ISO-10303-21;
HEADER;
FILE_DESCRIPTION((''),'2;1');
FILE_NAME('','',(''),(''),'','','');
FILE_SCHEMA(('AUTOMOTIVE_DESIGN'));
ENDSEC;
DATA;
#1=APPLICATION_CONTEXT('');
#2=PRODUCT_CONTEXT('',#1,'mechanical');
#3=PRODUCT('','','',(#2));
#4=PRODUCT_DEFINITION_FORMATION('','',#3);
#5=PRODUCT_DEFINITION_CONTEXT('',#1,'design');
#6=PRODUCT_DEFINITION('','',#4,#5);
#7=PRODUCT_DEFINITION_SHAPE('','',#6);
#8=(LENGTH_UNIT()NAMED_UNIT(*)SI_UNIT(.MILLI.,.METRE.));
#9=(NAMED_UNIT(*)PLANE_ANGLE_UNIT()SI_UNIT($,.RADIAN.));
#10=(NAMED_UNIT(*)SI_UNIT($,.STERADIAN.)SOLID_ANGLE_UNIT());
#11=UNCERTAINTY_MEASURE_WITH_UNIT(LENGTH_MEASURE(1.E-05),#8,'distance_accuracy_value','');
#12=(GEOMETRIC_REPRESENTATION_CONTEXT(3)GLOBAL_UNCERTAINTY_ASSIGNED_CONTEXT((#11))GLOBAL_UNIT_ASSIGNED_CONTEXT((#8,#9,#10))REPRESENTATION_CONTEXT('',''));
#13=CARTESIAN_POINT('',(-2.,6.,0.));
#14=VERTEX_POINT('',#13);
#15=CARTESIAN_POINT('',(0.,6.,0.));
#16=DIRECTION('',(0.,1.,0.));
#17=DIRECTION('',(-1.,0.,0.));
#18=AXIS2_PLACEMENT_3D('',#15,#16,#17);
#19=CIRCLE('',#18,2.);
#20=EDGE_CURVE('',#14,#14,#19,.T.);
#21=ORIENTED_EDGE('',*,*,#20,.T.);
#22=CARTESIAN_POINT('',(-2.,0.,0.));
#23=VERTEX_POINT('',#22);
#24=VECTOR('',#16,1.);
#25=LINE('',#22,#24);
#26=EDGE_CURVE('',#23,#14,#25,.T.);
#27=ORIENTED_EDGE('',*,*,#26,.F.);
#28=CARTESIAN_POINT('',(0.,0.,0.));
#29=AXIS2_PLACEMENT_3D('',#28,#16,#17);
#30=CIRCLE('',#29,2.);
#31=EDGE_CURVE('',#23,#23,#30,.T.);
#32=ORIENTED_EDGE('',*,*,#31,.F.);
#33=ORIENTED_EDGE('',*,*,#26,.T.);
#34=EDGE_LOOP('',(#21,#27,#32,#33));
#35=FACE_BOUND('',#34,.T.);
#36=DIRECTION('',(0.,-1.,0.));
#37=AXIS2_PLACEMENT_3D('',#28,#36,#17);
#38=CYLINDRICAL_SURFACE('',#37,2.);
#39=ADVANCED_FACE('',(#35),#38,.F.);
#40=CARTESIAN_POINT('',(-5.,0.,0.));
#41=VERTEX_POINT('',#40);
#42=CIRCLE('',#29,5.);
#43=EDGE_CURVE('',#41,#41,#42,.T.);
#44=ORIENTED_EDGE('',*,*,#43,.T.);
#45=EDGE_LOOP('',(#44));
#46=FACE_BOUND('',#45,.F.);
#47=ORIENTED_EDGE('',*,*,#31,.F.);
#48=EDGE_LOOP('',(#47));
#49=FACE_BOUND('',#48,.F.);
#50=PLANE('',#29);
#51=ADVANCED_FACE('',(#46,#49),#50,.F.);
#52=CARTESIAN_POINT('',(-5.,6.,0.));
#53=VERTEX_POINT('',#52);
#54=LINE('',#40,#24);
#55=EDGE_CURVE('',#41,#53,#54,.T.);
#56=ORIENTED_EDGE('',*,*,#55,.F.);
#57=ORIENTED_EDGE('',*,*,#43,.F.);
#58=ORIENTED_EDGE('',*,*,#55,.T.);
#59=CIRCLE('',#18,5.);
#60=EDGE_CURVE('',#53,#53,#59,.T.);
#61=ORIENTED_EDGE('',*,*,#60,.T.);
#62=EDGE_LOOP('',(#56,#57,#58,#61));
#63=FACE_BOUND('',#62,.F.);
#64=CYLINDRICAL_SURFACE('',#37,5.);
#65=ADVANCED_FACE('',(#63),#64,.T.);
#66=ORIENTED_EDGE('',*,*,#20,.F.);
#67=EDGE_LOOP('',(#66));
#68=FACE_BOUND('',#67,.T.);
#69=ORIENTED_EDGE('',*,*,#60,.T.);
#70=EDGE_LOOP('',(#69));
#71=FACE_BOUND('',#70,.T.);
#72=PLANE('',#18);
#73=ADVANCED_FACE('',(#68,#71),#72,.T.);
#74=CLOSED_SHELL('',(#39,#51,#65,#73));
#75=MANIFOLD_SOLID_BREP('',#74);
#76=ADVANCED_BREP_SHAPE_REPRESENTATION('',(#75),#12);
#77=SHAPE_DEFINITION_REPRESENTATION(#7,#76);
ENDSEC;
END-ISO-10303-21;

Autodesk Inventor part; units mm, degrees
ref_plane "YZ Plane" through (0, 0, 0) normal (1, 0, 0) x (0, 1, 0)
ref_plane "XZ Plane" through (0, 0, 0) normal (0, 1, 0) x (-1, 0, 0)
ref_plane "XY Plane" through (0, 0, 0) normal (0, 0, 1) x (1, 0, 0)
sketch "Sketch1" plane through (0, 0, 0) normal (0, 1, 0) x (-1, 0, 0)
  circle A0 centre (0, 0) radius 2
  circle A1 centre (0, 0) radius 5
  dimension "d0" = 4
  dimension "d1" = 10
extrude "Extrusion1" add sketch "Sketch1" along normal blind 6
properties part number "6mm_Spacer"
